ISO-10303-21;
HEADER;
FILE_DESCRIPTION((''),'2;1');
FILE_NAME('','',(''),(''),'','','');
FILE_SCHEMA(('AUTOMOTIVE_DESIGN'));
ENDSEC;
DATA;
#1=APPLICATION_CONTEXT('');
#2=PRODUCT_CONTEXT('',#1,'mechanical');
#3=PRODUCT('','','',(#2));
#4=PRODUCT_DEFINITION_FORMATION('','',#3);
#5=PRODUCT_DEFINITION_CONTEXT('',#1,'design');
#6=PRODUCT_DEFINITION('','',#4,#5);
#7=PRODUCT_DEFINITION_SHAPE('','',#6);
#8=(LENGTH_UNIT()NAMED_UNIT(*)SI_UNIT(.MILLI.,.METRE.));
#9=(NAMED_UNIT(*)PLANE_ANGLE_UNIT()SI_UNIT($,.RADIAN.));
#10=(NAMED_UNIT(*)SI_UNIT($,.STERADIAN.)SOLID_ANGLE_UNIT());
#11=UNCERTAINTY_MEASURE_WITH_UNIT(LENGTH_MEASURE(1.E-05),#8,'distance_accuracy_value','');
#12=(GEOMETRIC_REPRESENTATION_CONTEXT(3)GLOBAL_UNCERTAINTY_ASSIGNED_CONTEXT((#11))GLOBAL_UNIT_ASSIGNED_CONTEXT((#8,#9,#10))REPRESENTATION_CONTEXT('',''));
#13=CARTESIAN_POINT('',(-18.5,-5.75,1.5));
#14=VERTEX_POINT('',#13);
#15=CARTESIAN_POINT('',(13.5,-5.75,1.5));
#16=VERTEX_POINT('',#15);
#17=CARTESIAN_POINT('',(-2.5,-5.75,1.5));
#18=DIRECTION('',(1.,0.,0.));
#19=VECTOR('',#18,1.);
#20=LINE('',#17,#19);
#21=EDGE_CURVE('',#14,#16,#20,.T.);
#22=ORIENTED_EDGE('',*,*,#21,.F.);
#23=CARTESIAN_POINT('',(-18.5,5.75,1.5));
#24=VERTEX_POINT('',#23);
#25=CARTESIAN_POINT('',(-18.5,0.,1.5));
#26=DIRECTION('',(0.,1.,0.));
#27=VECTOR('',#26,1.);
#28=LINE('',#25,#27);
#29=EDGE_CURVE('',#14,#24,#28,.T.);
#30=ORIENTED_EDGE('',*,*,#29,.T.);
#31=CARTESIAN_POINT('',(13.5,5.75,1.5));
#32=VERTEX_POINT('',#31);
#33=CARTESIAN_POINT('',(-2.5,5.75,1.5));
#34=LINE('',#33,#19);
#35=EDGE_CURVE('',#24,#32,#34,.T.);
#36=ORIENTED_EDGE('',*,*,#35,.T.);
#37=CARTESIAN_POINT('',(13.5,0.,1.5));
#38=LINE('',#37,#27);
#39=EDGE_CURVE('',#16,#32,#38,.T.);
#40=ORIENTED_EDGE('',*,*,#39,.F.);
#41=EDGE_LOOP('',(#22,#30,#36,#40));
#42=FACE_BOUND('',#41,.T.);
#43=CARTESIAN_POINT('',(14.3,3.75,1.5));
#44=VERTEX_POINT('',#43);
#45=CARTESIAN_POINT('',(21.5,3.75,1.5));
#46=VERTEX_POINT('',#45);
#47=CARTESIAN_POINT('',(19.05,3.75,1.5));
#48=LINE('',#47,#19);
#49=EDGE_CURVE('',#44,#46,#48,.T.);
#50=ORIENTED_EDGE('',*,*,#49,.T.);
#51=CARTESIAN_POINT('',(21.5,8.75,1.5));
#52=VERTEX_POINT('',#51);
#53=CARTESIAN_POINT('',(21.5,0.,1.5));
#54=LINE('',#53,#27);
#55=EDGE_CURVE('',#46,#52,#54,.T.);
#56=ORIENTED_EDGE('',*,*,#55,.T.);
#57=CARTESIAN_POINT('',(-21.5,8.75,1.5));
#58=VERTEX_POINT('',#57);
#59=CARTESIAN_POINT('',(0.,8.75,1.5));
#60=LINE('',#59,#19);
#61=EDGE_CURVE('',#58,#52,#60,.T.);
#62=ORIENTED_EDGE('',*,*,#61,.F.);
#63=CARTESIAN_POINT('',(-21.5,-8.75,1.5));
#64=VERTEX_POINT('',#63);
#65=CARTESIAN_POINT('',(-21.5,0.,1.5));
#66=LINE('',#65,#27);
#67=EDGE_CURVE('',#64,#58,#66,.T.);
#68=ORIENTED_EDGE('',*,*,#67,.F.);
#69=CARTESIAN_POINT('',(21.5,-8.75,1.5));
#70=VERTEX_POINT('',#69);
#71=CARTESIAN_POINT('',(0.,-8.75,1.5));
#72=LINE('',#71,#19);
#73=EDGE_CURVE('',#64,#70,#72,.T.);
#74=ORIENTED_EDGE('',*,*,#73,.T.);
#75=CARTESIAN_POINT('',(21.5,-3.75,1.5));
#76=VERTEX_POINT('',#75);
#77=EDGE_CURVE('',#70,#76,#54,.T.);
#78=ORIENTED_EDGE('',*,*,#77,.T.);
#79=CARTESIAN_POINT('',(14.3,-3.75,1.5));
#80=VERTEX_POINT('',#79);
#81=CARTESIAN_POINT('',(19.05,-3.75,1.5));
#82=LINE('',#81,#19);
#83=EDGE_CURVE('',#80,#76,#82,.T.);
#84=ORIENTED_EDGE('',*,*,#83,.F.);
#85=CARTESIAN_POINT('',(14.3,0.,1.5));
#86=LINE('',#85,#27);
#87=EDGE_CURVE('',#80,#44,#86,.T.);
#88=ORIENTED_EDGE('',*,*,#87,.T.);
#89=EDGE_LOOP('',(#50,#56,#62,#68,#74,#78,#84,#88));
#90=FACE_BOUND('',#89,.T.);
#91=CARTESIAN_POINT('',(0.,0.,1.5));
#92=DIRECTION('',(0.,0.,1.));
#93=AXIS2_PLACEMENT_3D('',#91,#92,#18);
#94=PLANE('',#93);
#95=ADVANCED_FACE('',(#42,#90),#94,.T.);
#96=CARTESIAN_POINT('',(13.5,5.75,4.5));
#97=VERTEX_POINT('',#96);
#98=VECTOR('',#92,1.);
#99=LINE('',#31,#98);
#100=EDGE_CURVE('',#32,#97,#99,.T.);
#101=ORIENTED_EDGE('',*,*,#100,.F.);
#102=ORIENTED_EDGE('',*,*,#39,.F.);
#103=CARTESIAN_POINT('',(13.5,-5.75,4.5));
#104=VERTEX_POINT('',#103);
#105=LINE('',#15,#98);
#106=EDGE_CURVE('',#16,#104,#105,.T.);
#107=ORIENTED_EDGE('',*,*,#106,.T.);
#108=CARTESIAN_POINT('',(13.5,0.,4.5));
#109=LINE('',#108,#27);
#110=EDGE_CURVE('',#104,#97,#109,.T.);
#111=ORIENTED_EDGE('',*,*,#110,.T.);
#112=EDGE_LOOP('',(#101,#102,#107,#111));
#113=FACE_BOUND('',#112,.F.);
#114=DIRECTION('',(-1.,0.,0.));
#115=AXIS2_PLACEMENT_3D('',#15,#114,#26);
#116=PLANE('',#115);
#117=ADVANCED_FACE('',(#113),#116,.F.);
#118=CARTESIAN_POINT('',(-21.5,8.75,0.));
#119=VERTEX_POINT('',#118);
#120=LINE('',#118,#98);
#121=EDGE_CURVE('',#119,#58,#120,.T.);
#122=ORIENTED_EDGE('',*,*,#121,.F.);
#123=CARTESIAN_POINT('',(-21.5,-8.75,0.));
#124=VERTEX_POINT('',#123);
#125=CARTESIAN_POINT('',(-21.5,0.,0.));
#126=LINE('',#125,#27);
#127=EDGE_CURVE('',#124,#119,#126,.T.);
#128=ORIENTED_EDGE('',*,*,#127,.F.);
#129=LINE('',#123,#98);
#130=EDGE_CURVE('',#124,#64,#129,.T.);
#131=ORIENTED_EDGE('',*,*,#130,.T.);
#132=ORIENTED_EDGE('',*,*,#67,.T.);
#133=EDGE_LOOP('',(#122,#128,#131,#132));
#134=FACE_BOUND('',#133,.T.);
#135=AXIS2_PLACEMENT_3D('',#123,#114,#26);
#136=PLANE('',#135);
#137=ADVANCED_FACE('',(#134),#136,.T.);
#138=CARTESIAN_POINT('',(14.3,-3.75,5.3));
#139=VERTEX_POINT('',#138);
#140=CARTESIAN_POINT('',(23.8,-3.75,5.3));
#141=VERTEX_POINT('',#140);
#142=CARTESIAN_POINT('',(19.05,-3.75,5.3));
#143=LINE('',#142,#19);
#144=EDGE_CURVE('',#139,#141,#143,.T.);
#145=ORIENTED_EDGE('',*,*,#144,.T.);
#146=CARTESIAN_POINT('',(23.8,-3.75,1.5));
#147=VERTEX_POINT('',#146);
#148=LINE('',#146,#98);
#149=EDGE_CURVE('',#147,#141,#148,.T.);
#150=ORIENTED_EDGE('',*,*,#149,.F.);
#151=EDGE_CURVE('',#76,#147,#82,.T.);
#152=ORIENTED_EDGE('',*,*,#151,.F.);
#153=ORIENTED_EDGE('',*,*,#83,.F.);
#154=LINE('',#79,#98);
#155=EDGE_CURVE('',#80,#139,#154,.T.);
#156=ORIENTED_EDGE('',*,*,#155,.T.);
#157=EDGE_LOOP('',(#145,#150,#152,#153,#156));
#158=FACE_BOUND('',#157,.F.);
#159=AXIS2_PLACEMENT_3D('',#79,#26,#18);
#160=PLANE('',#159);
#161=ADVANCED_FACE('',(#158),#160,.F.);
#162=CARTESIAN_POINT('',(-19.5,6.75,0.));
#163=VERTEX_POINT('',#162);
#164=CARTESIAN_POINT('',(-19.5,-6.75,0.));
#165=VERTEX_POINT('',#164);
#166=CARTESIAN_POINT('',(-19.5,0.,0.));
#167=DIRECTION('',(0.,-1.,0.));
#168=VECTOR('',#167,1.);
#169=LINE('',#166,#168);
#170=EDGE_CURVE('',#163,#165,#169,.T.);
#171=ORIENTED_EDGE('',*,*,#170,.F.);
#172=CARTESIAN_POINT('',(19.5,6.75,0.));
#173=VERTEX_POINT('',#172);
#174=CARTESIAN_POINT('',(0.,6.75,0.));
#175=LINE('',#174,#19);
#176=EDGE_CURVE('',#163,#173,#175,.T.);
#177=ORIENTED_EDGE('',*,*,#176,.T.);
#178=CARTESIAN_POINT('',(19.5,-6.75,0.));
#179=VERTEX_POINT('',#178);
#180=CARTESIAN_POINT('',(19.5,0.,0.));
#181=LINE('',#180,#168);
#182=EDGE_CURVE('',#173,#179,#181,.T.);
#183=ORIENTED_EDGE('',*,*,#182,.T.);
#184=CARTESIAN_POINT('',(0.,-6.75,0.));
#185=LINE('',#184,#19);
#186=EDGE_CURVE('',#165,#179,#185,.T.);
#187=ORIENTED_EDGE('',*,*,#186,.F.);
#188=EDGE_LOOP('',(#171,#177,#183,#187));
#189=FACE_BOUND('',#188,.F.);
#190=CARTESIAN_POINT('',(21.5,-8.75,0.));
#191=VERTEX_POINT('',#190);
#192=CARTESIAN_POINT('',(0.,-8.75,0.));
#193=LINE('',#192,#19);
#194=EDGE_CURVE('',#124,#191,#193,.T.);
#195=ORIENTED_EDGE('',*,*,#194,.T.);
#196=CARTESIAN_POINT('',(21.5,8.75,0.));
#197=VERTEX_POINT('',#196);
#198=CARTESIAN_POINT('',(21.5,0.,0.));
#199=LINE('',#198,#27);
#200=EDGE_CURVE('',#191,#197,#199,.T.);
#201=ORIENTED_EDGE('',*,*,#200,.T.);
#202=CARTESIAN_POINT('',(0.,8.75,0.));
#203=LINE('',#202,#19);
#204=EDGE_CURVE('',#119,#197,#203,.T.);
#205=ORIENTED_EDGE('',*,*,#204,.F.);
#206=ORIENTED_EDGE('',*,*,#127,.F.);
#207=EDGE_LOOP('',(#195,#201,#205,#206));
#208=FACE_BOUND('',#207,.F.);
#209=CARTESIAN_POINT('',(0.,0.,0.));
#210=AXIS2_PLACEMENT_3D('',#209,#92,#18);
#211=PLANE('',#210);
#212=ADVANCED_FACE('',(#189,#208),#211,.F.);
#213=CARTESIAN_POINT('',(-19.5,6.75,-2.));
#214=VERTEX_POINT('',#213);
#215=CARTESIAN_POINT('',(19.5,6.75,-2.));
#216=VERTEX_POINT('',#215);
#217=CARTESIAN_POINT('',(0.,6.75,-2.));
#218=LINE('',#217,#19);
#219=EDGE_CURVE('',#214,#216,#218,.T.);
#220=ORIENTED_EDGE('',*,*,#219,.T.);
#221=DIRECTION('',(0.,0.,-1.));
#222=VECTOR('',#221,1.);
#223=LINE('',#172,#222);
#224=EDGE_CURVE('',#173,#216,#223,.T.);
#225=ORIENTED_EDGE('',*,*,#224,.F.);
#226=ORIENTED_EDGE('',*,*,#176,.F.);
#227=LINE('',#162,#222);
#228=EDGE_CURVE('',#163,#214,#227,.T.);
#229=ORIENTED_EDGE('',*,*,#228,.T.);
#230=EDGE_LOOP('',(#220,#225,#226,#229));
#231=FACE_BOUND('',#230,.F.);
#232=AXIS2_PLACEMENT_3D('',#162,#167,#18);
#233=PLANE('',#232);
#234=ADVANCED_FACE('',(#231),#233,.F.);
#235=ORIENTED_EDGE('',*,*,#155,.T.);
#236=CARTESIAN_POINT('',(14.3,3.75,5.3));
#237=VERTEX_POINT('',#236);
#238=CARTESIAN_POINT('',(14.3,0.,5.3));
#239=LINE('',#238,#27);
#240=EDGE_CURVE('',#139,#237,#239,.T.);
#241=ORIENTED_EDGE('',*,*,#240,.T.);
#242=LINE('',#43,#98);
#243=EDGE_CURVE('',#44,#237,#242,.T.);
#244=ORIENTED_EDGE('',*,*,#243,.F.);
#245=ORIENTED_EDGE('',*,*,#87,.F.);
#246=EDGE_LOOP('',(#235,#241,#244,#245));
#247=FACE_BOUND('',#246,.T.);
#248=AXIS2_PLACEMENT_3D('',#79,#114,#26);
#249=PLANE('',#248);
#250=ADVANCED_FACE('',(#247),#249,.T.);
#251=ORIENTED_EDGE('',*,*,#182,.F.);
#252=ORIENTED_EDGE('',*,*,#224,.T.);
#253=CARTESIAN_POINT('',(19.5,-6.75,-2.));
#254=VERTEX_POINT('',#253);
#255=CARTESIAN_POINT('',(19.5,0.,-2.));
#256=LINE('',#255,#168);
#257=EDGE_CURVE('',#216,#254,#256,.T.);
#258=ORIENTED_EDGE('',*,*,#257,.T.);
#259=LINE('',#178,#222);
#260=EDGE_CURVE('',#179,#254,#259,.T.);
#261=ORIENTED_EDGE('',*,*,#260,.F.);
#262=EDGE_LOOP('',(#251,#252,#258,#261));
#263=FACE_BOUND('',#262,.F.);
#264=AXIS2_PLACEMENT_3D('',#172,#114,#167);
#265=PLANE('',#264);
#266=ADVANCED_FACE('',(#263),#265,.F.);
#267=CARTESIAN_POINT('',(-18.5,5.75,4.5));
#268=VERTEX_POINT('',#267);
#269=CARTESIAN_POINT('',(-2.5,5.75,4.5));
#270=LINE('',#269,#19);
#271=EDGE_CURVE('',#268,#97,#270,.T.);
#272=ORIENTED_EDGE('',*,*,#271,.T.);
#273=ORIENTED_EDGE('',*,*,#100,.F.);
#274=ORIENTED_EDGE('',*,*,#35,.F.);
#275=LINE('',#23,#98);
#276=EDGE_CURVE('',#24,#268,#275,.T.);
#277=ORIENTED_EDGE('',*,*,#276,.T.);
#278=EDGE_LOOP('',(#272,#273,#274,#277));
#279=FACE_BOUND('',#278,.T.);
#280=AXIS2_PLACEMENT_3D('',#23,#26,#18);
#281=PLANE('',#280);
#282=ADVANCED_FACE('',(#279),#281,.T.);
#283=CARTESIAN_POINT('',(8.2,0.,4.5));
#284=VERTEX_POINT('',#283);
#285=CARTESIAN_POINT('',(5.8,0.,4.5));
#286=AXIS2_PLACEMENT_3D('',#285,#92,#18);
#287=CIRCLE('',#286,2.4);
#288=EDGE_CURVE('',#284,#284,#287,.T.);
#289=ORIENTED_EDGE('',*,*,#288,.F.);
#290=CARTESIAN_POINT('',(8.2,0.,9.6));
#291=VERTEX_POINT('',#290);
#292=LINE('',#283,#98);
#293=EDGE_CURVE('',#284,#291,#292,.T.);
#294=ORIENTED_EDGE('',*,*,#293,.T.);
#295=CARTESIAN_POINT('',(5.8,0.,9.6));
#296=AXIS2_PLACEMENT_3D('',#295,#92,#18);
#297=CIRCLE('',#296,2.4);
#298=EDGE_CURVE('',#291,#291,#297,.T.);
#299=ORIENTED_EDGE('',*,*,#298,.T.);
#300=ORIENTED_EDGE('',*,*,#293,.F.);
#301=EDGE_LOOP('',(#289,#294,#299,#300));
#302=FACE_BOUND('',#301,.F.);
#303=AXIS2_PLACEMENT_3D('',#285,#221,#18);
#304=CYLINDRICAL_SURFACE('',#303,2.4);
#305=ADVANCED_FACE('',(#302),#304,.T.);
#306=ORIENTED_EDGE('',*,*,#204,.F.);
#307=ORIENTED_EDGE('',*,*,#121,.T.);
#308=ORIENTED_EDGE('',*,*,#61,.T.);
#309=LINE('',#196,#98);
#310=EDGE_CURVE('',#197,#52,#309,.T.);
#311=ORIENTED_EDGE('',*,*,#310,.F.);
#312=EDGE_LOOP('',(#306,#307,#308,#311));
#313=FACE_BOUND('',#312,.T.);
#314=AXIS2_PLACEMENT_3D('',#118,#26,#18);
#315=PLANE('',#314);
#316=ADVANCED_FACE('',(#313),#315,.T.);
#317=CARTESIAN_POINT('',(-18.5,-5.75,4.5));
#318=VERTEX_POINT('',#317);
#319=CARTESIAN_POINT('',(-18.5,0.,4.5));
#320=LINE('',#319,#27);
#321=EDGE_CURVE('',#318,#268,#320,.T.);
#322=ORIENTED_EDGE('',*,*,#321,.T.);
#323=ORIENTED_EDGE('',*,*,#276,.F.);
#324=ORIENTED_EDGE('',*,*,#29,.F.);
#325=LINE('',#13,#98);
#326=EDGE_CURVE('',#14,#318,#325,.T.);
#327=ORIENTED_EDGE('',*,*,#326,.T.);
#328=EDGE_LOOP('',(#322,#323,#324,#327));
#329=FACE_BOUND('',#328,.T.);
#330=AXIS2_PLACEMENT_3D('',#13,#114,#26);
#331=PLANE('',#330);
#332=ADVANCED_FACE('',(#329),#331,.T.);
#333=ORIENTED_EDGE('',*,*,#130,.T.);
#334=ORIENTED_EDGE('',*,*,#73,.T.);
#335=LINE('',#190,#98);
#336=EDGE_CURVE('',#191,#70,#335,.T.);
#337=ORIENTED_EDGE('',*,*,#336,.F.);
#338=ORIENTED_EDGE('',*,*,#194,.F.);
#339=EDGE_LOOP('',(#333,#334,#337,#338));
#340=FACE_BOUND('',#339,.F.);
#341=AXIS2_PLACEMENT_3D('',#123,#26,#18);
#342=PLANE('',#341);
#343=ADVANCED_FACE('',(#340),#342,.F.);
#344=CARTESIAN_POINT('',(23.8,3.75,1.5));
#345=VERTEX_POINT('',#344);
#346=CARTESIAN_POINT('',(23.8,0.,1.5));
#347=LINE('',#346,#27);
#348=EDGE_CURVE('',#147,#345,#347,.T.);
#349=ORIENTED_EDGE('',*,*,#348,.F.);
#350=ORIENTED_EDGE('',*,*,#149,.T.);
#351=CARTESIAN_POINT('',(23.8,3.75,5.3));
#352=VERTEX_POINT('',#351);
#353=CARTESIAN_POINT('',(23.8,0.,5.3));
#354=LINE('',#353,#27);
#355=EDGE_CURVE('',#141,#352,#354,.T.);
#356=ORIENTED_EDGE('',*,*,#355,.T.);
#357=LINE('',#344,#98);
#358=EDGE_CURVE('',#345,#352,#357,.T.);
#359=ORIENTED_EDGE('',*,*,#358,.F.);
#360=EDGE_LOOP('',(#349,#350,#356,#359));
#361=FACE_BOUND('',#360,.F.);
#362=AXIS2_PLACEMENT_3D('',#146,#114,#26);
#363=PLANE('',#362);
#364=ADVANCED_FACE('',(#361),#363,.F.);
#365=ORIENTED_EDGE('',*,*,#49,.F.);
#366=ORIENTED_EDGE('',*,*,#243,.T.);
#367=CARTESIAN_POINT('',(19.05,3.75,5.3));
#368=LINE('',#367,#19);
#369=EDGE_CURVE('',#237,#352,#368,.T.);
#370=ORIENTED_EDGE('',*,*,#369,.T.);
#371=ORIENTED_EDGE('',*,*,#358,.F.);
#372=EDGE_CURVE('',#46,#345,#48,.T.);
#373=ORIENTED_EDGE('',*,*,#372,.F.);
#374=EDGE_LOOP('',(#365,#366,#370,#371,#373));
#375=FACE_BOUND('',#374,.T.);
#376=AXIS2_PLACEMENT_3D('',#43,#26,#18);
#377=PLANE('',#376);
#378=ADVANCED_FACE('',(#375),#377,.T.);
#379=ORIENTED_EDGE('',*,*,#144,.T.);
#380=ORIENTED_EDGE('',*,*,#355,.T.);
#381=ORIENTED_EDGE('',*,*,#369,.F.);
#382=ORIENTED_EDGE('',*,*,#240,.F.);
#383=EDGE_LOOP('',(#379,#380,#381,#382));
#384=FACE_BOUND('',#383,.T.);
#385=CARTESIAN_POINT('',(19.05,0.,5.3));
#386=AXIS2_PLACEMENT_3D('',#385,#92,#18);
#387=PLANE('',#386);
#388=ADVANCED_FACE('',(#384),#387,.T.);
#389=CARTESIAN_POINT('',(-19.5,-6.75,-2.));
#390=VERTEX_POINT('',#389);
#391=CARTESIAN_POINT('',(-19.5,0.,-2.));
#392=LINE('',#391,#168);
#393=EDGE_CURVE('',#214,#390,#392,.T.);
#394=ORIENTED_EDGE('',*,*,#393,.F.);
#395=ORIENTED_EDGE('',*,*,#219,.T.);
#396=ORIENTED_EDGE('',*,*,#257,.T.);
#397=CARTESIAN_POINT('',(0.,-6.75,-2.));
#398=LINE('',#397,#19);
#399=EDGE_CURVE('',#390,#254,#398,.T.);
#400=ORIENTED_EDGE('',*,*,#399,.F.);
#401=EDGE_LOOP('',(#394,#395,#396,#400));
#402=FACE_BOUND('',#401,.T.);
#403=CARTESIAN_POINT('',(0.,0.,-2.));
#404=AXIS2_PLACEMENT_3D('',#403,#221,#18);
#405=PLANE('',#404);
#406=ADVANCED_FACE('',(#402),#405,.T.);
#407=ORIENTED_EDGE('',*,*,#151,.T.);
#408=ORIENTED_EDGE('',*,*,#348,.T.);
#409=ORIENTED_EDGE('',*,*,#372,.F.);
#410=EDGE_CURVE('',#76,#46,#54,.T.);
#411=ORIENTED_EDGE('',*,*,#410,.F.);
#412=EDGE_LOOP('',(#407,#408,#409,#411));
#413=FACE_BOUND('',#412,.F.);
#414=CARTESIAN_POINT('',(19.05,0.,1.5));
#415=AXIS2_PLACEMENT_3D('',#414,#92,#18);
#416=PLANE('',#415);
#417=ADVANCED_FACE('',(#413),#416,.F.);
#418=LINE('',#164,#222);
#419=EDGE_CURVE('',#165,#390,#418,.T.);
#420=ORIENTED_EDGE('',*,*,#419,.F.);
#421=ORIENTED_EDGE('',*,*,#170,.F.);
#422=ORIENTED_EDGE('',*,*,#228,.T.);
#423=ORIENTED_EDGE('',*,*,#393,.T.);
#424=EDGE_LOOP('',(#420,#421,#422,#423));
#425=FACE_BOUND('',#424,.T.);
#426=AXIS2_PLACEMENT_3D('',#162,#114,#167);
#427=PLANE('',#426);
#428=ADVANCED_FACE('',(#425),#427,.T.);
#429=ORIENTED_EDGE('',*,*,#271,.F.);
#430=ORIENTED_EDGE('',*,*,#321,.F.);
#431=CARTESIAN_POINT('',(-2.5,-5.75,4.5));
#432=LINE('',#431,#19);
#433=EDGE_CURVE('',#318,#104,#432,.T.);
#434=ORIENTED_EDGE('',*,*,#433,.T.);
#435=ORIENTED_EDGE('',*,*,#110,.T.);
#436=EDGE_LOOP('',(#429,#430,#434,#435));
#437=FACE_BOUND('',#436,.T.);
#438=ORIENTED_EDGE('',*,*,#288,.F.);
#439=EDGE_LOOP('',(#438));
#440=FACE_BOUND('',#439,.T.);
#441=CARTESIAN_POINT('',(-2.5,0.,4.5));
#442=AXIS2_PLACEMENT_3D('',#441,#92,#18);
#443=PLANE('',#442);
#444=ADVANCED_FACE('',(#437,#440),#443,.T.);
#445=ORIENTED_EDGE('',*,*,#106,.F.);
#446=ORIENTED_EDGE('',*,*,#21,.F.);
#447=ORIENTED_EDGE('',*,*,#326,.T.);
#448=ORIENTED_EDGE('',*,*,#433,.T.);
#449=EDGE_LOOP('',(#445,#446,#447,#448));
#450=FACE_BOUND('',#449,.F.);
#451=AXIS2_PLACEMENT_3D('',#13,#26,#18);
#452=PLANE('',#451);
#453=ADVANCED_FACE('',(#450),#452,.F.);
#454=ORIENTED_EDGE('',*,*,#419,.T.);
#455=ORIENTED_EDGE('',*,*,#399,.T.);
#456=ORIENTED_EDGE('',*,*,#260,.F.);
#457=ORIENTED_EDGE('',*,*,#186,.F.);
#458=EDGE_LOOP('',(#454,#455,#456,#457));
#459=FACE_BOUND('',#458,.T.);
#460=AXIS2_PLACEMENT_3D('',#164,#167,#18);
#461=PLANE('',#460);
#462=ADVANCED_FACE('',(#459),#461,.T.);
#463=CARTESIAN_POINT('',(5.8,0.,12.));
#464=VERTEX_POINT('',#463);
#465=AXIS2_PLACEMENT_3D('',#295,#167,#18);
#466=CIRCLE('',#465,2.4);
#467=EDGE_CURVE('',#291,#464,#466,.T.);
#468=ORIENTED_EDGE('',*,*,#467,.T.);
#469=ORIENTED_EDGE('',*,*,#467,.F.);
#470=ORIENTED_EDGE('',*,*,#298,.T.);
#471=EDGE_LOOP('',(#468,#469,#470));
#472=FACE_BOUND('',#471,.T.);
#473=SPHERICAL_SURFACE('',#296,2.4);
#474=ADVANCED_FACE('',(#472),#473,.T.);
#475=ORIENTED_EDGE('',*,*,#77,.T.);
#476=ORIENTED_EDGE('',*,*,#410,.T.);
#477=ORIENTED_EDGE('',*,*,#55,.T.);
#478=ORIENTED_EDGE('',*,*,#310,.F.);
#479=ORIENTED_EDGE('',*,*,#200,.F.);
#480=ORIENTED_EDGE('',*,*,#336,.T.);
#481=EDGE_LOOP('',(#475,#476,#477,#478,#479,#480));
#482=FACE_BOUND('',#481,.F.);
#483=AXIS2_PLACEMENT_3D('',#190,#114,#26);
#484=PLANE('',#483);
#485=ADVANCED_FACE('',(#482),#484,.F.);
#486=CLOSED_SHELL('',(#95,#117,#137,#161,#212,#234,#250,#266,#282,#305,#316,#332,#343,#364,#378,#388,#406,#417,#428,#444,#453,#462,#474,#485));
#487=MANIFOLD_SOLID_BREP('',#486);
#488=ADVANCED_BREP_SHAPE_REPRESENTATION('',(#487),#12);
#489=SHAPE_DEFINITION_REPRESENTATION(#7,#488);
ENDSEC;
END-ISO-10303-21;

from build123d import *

# Parameters (mm, degrees)
F0_W     = 43
F0_H     = 17.5
F1_DEPTH = 1.5
F2_W     = 9.5
F2_H     = 7.5
F3_DEPTH = 3.8
F4_W     = 32
F4_H     = 11.5
F5_DEPTH = 3
F6_W     = 39
F6_H     = 13.5
F7_DEPTH = 2
F8_R     = 2.4
F9_DEPTH = 7.5
F10_R    = 2.4


with BuildPart() as f1:
    # F0 (on Top) → F1 (new body)
    with BuildSketch(Plane.XY):
        Rectangle(F0_W, F0_H)
    extrude(amount=F1_DEPTH)

    # F2 (on face) → F3 (join)
    with BuildSketch(Plane.XY.offset(1.5)):
        with Locations((19.05, 0)):
            Rectangle(F2_W, F2_H)
    extrude(amount=F3_DEPTH)

    # F4 (on face) → F5 (join)
    with BuildSketch(Plane.XY.offset(1.5)):
        with Locations((-2.5, 0)):
            Rectangle(F4_W, F4_H)
    extrude(amount=F5_DEPTH)

    # F6 (on face) → F7 (join)
    with BuildSketch(Plane(origin=(0, 0, 0), x_dir=(1, 0, 0), z_dir=(0, 0, -1))):
        Rectangle(F6_W, F6_H)
    extrude(amount=F7_DEPTH)

    # F8 (on face) → F9 (join)
    with BuildSketch(Plane.XY.offset(4.5)):
        with Locations((5.8, 0)):
            Circle(F8_R)
    extrude(amount=F9_DEPTH)

    # F10
    f10_edges = [f1.edges().sort_by_distance(p)[0] for p in [
        (3.4, 0, 12),
    ]]
    fillet(f10_edges, radius=F10_R)


solid = f1.part
